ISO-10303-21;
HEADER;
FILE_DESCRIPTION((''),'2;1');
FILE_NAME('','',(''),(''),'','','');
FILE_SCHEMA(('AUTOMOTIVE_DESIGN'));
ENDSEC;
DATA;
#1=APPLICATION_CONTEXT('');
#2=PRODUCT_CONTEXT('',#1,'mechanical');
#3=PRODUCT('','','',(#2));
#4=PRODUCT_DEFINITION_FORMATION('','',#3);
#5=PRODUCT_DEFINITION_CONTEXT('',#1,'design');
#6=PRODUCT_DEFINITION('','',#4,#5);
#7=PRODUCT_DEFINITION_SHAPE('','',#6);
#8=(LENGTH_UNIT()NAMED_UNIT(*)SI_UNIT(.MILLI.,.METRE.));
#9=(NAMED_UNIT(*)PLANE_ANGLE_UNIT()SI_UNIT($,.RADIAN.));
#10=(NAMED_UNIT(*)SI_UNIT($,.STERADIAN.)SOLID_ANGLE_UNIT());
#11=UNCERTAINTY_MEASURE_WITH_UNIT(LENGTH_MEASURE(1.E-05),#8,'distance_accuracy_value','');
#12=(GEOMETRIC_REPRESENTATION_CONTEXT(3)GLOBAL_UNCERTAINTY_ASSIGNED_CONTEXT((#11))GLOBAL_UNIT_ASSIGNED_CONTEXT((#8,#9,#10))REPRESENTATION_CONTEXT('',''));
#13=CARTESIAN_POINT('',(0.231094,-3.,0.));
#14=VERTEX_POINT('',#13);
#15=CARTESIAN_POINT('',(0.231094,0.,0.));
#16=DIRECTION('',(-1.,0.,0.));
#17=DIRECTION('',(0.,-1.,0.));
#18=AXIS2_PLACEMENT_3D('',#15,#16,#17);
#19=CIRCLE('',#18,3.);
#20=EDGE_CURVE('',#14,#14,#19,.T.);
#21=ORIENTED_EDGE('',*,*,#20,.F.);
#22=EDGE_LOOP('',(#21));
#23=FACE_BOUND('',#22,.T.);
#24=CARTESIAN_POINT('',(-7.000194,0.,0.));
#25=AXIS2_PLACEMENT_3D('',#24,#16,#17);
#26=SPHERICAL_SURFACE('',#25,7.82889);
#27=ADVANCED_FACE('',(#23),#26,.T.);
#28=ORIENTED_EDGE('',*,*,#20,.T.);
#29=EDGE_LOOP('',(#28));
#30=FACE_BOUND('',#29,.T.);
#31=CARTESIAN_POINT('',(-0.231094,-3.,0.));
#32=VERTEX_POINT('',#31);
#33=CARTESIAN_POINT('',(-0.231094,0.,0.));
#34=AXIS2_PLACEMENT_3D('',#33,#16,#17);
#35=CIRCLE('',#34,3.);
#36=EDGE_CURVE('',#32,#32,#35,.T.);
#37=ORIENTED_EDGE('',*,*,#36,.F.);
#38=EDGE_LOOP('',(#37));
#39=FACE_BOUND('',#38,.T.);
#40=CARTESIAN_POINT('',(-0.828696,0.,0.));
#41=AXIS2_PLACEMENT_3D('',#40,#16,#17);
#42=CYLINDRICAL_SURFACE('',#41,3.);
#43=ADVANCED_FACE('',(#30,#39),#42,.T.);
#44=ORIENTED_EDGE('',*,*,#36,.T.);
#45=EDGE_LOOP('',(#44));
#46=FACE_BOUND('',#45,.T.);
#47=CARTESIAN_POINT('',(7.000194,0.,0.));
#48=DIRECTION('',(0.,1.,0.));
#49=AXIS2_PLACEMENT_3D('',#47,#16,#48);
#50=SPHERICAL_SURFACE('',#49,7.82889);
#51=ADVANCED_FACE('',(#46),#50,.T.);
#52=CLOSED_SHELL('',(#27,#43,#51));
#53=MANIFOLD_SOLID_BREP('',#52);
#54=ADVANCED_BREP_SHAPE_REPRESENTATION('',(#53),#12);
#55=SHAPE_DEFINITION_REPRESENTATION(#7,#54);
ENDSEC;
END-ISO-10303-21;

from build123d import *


with BuildPart() as part:
    # 草图1 → 旋转1 (revolve)
    with BuildSketch(Plane.XY, mode=Mode.PRIVATE) as revolve_1_sk:
        with BuildLine():
            Line((-0.828696117, 0), (0.828696117, 0))
            ThreePointArc((0.828696117, 0), (0.677842102, 1.52947121), (0.231093637, 3))
            Line((0.231093637, 3), (-0.231093637, 3))
            ThreePointArc((-0.231093637, 3), (-0.677842102, 1.52947121), (-0.828696117, 0))
        make_face()
    revolve(revolve_1_sk.sketch.rotate(Axis((-0.828696117, 0, 0), (1, 0, 0)), 180), axis=Axis((-0.828696117, 0, 0), (1, 0, 0)))


solid = part.part
